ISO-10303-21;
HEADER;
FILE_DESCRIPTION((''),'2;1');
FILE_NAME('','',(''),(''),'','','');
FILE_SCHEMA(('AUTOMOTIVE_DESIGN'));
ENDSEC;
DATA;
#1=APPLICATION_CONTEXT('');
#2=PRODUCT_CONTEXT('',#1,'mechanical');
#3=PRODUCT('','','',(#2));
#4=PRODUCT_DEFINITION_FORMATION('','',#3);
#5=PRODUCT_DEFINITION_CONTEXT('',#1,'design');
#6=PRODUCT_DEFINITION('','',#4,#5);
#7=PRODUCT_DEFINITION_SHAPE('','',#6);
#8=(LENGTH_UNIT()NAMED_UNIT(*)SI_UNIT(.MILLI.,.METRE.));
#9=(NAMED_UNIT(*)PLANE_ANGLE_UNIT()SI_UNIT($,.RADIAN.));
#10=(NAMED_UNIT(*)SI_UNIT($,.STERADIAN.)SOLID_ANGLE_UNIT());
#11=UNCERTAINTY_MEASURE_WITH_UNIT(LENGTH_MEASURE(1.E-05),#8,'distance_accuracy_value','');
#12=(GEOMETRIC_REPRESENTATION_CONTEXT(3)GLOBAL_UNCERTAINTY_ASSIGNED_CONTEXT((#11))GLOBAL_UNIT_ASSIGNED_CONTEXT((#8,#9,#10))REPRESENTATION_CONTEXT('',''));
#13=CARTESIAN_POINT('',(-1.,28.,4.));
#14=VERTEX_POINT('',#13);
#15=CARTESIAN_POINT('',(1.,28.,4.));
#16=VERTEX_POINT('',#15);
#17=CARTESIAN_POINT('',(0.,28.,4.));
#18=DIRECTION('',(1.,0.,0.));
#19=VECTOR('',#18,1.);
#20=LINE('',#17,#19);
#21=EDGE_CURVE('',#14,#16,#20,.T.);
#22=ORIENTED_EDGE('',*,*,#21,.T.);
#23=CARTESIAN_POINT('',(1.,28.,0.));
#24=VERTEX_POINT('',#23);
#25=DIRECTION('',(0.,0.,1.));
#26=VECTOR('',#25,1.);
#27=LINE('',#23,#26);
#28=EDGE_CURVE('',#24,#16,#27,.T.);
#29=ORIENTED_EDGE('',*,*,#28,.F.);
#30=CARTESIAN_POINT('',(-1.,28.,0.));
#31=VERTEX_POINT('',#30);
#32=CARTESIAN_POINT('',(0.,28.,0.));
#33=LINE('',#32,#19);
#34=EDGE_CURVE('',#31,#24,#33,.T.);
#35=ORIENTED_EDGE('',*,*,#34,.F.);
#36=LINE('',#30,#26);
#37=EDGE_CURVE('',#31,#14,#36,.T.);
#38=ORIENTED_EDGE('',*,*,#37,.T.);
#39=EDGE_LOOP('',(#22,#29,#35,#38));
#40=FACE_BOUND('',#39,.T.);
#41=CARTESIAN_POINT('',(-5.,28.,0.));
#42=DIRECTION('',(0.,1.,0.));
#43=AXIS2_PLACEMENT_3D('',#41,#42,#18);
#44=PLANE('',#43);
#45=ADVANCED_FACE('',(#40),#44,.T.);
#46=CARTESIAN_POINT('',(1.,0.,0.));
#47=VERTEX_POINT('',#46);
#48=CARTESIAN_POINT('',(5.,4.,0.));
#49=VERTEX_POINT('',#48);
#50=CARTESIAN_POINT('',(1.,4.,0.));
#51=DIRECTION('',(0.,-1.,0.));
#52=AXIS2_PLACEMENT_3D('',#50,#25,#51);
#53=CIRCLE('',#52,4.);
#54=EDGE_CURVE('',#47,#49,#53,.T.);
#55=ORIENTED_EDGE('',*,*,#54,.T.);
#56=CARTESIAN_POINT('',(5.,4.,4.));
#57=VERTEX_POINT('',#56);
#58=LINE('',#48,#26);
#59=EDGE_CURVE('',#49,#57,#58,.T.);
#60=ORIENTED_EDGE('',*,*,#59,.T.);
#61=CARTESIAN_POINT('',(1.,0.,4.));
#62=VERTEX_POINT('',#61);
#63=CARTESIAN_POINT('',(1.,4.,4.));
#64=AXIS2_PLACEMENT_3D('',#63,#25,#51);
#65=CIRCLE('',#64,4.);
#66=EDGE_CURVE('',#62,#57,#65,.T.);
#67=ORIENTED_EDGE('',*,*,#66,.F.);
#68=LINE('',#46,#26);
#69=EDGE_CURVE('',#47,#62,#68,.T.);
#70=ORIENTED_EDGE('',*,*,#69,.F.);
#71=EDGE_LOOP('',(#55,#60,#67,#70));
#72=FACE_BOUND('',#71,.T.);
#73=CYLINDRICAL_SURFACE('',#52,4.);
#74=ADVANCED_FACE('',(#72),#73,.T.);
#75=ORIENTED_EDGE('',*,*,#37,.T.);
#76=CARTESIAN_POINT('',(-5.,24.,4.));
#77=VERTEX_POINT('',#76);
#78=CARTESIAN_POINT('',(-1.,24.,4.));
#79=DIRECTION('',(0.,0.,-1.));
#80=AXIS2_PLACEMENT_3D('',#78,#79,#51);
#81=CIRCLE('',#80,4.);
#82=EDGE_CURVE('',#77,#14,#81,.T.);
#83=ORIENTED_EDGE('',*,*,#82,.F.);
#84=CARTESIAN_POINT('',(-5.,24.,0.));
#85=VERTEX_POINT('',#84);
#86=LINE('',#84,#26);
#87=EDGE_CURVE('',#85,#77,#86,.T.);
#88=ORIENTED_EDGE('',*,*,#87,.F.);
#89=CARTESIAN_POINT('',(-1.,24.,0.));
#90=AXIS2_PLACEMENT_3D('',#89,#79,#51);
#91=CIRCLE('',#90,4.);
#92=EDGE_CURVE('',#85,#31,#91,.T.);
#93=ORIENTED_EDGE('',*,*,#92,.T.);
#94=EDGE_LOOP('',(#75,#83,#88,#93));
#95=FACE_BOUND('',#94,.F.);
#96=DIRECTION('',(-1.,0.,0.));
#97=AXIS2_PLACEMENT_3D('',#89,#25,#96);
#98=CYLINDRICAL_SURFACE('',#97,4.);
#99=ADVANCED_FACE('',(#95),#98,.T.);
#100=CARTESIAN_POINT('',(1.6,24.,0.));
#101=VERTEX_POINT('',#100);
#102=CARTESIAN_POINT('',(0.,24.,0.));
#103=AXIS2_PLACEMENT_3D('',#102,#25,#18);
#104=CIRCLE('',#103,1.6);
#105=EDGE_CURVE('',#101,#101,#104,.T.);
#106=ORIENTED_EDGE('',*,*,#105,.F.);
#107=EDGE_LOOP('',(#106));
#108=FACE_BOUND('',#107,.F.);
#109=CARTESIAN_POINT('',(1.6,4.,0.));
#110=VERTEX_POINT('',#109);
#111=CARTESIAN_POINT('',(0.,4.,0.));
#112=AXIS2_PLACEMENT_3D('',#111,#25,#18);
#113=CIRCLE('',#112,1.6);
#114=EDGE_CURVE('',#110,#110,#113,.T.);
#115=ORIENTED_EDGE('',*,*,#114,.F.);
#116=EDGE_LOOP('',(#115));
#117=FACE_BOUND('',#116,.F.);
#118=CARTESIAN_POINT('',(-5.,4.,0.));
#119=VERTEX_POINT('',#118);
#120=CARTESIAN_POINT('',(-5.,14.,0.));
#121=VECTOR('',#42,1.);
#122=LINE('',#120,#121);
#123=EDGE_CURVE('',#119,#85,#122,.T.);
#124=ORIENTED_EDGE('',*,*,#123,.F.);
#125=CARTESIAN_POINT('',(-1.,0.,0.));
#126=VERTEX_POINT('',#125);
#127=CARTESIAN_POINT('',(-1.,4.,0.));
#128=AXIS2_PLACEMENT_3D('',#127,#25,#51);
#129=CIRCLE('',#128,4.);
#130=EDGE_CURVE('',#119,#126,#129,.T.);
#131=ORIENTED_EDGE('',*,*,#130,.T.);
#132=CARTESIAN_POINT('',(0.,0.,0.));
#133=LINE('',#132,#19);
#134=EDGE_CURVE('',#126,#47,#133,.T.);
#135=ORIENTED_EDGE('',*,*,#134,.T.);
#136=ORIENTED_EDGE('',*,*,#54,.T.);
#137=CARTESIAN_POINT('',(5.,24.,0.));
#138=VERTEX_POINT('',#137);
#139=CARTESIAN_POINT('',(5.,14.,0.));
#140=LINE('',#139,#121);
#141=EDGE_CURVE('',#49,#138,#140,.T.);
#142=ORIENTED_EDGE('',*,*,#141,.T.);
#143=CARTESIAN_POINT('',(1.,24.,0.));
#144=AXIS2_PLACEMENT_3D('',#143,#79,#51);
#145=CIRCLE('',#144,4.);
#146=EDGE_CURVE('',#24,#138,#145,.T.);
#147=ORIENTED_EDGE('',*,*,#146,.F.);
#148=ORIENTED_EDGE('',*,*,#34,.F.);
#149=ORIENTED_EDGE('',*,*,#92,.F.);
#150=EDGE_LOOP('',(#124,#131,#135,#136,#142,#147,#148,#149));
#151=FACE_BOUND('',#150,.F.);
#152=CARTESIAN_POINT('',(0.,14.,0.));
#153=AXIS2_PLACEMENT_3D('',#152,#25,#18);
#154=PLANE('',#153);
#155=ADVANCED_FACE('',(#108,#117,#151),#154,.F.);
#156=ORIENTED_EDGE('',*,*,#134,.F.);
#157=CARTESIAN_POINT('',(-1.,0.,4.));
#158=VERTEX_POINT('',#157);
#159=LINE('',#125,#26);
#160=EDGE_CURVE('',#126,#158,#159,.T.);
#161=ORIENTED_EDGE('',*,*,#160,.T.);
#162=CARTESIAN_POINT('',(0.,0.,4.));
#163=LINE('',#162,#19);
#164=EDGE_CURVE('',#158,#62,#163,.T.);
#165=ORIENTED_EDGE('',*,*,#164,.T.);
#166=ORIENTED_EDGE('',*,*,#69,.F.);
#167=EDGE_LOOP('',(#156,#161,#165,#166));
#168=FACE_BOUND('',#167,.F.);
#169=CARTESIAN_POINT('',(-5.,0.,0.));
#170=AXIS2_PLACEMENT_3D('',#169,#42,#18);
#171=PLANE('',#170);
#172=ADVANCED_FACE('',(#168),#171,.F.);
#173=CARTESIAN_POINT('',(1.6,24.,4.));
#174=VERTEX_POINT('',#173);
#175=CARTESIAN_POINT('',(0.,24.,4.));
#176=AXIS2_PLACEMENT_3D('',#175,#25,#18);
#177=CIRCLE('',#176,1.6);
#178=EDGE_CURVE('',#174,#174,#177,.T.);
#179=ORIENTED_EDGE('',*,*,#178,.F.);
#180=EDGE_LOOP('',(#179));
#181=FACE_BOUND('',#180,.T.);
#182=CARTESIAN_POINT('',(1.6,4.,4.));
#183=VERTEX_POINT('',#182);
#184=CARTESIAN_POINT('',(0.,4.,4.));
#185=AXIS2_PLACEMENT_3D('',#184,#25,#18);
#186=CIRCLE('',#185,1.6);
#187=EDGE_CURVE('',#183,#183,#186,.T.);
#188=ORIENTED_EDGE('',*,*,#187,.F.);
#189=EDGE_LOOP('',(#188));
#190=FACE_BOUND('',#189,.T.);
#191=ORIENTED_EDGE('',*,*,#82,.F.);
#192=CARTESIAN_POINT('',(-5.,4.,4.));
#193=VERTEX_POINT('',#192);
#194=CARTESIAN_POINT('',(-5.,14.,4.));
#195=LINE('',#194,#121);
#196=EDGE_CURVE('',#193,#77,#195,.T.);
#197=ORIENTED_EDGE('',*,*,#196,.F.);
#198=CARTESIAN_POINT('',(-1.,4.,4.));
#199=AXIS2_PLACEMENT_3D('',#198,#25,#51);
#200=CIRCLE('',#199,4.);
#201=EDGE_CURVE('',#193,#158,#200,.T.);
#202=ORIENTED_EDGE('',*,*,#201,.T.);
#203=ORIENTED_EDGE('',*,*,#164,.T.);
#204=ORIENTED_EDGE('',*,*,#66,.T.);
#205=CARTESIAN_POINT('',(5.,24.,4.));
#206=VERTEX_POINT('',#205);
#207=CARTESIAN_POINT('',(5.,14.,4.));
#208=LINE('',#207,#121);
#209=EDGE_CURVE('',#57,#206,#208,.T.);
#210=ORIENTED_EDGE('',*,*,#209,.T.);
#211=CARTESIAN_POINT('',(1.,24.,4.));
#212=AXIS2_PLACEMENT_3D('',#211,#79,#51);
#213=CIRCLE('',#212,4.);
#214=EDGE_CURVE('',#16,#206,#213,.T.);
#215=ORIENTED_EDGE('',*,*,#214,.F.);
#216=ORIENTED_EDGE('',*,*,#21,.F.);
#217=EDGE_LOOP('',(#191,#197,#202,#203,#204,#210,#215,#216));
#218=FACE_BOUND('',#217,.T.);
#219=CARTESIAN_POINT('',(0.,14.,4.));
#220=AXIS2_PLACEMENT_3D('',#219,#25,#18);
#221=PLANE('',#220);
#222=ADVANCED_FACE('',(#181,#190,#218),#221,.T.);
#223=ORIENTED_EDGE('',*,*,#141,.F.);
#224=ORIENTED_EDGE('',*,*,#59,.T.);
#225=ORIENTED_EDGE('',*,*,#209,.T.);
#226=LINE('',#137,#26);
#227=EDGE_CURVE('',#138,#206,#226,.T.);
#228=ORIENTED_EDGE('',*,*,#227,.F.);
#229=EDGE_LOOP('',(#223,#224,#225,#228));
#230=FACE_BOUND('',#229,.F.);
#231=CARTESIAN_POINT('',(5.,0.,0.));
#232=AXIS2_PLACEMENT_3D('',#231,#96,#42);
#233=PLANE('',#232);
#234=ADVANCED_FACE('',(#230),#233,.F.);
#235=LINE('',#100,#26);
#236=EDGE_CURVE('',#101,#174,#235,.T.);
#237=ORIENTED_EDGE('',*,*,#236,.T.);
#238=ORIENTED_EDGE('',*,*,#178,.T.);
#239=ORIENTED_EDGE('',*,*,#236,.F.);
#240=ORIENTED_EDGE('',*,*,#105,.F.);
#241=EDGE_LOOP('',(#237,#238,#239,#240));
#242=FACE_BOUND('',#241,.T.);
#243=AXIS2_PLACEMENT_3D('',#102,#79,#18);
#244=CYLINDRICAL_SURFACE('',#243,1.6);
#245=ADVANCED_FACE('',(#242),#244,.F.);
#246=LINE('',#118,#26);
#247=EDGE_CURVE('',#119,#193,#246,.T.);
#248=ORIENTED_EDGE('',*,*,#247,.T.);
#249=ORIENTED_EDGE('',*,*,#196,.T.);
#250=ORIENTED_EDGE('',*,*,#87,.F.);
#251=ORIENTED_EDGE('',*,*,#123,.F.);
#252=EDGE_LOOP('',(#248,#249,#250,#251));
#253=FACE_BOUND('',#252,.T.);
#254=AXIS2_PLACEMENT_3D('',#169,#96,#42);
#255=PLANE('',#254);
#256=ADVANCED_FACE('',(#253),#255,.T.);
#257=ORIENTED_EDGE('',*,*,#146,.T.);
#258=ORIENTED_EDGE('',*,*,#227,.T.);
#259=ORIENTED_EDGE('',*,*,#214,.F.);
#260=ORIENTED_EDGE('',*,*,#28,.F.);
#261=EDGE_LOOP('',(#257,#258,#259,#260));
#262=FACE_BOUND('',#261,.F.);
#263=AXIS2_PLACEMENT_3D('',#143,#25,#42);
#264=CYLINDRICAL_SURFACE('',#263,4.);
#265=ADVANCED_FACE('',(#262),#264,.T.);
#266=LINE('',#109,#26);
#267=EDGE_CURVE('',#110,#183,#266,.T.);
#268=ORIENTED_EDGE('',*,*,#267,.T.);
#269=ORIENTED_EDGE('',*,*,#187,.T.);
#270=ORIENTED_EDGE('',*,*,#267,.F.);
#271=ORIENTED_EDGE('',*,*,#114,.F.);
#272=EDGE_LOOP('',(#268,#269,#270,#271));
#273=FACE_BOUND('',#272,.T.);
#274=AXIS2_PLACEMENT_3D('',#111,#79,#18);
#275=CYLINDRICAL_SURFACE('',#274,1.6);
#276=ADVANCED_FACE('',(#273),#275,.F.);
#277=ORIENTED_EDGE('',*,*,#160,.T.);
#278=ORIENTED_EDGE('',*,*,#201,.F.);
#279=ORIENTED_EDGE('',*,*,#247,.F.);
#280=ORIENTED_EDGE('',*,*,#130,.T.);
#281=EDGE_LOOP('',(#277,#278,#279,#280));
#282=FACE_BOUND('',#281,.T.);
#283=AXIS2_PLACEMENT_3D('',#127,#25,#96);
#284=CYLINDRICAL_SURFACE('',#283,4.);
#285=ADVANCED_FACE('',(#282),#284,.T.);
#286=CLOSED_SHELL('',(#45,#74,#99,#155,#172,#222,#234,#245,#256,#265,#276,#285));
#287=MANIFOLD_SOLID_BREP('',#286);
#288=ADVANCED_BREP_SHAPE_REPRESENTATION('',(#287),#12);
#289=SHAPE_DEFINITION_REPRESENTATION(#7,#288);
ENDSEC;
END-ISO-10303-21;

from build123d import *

# Parameters (mm, degrees)
SKETCH_W  = 10
SKETCH_H  = 28
SKETCH_R  = 1.6
PAD_DEPTH = 4
FILLET_R  = 4


with BuildPart() as part:
    # Sketch → Pad (new body)
    with BuildSketch(Plane.XY):
        with Locations((0, 14)):
            Rectangle(SKETCH_W, SKETCH_H)
        with Locations((0, 24)):
            Circle(SKETCH_R, mode=Mode.SUBTRACT)
        with Locations((0, 4)):
            Circle(SKETCH_R, mode=Mode.SUBTRACT)
    extrude(amount=PAD_DEPTH)

    # Fillet
    fillet_edges = [part.edges().sort_by_distance(p)[0] for p in [
        (5, 28, 2),
        (-5, 28, 2),
        (-5, 0, 2),
        (5, 0, 2),
    ]]
    fillet(fillet_edges, radius=FILLET_R)


solid = part.part
